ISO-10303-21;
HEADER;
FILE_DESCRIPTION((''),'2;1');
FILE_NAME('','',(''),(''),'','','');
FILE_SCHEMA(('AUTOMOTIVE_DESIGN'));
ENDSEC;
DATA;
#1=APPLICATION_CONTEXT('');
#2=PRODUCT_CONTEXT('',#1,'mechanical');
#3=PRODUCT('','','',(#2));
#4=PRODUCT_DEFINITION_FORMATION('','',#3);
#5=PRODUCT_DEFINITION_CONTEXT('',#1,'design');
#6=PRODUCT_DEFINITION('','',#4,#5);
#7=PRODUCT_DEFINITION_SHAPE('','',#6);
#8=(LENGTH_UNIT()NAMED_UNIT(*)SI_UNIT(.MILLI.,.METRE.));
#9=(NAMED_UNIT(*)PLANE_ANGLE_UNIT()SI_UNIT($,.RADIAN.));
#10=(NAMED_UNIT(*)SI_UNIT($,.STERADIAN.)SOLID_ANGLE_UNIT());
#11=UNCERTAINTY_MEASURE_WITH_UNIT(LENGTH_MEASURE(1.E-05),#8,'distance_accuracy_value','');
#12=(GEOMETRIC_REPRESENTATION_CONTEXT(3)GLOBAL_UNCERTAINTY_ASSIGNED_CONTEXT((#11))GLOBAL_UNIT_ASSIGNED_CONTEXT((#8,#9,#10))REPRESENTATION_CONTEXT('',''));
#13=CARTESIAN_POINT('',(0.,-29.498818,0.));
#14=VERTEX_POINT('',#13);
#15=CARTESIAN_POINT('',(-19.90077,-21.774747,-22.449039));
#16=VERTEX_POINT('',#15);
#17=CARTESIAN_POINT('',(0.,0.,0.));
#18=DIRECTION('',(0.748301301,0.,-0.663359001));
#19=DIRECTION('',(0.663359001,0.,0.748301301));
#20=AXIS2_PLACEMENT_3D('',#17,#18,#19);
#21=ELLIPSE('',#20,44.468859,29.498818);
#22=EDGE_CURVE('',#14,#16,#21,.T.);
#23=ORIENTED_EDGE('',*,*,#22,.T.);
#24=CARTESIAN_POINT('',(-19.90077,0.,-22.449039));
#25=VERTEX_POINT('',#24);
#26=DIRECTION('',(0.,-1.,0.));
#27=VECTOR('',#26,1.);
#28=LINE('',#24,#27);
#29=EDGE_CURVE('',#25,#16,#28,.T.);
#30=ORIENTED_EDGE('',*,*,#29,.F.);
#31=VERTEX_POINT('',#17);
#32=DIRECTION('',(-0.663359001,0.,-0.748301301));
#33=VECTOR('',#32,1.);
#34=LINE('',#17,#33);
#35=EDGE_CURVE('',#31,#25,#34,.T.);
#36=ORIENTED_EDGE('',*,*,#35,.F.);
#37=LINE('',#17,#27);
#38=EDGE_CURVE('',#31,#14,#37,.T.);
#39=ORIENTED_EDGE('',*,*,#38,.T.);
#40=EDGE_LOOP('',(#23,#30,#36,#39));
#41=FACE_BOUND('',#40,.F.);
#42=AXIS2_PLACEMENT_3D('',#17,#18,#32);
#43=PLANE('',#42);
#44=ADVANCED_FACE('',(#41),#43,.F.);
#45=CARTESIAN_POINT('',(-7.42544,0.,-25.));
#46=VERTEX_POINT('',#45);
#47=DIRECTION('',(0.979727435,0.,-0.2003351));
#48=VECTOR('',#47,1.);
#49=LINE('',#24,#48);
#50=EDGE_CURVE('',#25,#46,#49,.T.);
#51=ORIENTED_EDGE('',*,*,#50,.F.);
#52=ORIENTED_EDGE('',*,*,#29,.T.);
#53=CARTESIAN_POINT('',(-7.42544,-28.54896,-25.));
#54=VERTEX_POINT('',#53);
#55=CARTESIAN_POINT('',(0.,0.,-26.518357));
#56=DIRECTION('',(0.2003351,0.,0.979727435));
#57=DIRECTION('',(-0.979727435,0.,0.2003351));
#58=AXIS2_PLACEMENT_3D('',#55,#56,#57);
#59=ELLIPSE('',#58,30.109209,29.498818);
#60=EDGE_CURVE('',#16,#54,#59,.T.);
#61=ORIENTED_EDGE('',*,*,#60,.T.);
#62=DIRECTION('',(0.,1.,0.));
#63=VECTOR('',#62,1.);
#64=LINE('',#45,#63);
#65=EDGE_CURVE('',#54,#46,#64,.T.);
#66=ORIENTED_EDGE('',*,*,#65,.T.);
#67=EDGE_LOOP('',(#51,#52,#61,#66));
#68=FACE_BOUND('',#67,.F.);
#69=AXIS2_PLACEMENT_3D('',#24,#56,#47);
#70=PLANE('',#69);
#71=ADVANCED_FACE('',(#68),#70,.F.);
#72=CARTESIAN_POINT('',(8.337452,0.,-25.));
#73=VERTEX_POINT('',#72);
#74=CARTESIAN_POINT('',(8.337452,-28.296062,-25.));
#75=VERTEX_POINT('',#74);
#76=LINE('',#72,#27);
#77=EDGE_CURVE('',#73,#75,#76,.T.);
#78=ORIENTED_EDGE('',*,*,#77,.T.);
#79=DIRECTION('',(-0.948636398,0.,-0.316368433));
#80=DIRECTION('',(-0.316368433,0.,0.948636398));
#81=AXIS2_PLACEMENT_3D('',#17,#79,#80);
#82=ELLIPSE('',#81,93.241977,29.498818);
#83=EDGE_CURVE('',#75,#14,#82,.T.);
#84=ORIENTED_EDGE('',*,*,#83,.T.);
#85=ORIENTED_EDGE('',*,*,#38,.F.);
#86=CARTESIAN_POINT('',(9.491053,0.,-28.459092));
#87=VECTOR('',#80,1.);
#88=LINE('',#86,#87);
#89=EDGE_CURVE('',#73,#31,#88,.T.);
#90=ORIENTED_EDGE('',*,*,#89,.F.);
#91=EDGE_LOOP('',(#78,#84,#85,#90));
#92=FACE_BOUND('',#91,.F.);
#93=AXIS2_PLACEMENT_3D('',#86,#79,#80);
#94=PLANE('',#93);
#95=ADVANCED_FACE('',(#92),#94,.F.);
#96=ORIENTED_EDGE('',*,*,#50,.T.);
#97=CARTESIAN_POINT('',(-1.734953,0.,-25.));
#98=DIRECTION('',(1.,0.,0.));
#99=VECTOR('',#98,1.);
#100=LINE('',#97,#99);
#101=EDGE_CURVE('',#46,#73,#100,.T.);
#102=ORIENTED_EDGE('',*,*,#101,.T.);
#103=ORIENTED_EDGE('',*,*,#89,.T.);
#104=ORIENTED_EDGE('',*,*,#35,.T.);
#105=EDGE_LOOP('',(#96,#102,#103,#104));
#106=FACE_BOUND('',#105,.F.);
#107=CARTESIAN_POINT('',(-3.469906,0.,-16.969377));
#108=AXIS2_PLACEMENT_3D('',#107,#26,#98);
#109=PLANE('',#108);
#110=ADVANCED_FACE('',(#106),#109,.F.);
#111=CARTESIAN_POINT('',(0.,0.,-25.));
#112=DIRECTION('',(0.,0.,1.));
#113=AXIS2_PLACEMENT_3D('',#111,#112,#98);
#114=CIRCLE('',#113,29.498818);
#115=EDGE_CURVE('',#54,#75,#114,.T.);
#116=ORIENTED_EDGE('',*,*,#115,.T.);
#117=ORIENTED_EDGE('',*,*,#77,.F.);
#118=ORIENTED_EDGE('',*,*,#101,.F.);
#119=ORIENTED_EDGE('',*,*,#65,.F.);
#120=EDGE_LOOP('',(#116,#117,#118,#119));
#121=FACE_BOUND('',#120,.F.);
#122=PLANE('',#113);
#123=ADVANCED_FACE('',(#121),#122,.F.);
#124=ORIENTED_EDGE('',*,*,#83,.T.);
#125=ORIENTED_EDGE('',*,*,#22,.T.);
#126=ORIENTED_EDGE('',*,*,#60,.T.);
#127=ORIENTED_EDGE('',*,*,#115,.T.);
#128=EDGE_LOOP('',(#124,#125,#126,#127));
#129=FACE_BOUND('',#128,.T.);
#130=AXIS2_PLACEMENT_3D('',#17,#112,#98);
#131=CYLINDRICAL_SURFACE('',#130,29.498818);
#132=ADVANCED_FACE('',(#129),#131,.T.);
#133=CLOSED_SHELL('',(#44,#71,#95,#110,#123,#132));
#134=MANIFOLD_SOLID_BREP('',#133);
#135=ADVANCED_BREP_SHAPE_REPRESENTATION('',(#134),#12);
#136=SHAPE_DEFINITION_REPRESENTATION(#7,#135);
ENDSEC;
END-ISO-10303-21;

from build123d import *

# Parameters (mm, degrees)
F0_R     = 29.498818
F1_DEPTH = 25
F3_DEPTH = 42.8


with BuildPart() as f1:
    # F0 (on Top) → F1 (new body)
    with BuildSketch(Plane.XY):
        Circle(F0_R)
    extrude(amount=-F1_DEPTH)

    # F2 (on Front) → F3 (intersect)
    with BuildSketch(Plane.XZ):
        Polygon((0, 0), (-19.90077, -22.449039), (9.491053, -28.459092), align=None)
    extrude(amount=F3_DEPTH, mode=Mode.INTERSECT)


solid = f1.part
